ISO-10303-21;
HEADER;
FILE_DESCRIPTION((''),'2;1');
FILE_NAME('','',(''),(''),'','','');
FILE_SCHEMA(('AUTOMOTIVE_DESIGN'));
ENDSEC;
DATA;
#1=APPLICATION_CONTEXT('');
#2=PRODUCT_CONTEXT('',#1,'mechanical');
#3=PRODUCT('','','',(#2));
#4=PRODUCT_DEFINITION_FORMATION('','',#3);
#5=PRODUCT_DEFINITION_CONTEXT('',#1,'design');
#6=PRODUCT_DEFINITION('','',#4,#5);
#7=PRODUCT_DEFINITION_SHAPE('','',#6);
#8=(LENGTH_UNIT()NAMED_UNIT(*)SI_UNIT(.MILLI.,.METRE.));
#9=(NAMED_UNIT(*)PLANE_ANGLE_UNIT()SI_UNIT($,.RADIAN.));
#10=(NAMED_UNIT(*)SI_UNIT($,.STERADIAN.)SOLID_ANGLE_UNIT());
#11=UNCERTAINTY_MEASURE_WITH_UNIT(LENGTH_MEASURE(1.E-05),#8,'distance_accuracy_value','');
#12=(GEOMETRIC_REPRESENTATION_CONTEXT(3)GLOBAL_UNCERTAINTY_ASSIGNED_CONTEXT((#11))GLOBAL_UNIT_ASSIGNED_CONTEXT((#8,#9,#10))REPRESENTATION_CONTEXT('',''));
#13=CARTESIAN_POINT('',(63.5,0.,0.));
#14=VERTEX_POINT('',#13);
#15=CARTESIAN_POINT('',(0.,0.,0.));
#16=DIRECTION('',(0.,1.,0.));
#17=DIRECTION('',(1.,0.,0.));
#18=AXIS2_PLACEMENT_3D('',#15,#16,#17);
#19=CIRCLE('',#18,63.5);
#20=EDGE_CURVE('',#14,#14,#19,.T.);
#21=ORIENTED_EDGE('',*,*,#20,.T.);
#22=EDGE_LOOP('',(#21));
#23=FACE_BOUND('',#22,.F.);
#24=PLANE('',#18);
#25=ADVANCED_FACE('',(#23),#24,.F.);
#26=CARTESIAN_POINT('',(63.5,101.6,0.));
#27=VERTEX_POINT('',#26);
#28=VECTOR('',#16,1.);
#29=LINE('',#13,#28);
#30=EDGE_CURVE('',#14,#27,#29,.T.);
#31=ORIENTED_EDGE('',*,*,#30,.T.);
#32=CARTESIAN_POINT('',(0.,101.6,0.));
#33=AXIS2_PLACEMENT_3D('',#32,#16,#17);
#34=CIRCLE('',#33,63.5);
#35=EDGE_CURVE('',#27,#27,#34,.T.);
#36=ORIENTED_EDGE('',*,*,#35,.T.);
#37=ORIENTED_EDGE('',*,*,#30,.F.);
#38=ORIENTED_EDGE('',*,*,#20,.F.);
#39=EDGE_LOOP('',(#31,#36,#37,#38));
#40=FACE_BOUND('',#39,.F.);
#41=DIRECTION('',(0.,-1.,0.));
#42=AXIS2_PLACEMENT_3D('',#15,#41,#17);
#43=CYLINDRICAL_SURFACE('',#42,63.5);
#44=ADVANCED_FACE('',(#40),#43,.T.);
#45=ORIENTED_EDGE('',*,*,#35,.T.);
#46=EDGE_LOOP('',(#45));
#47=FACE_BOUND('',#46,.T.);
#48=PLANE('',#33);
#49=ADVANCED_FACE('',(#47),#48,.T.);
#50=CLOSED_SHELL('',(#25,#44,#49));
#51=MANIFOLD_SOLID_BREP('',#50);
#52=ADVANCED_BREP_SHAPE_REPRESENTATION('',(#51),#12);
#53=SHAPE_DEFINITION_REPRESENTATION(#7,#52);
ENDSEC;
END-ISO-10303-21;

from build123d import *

# Parameters (mm, degrees)
SHOCK_CORD_BUNDLE_PROFILE_R  = 63.5
SHOCK_CORD_BUNDLE_BODY_DEPTH = 101.6


with BuildPart() as part:
    # Shock Cord Bundle Profile → Shock Cord Bundle Body (new body)
    with BuildSketch(Plane(origin=(0, 0, 0), x_dir=(1, 0, 0), z_dir=(0, 1, 0))):
        Circle(SHOCK_CORD_BUNDLE_PROFILE_R)
    extrude(amount=SHOCK_CORD_BUNDLE_BODY_DEPTH)


solid = part.part
